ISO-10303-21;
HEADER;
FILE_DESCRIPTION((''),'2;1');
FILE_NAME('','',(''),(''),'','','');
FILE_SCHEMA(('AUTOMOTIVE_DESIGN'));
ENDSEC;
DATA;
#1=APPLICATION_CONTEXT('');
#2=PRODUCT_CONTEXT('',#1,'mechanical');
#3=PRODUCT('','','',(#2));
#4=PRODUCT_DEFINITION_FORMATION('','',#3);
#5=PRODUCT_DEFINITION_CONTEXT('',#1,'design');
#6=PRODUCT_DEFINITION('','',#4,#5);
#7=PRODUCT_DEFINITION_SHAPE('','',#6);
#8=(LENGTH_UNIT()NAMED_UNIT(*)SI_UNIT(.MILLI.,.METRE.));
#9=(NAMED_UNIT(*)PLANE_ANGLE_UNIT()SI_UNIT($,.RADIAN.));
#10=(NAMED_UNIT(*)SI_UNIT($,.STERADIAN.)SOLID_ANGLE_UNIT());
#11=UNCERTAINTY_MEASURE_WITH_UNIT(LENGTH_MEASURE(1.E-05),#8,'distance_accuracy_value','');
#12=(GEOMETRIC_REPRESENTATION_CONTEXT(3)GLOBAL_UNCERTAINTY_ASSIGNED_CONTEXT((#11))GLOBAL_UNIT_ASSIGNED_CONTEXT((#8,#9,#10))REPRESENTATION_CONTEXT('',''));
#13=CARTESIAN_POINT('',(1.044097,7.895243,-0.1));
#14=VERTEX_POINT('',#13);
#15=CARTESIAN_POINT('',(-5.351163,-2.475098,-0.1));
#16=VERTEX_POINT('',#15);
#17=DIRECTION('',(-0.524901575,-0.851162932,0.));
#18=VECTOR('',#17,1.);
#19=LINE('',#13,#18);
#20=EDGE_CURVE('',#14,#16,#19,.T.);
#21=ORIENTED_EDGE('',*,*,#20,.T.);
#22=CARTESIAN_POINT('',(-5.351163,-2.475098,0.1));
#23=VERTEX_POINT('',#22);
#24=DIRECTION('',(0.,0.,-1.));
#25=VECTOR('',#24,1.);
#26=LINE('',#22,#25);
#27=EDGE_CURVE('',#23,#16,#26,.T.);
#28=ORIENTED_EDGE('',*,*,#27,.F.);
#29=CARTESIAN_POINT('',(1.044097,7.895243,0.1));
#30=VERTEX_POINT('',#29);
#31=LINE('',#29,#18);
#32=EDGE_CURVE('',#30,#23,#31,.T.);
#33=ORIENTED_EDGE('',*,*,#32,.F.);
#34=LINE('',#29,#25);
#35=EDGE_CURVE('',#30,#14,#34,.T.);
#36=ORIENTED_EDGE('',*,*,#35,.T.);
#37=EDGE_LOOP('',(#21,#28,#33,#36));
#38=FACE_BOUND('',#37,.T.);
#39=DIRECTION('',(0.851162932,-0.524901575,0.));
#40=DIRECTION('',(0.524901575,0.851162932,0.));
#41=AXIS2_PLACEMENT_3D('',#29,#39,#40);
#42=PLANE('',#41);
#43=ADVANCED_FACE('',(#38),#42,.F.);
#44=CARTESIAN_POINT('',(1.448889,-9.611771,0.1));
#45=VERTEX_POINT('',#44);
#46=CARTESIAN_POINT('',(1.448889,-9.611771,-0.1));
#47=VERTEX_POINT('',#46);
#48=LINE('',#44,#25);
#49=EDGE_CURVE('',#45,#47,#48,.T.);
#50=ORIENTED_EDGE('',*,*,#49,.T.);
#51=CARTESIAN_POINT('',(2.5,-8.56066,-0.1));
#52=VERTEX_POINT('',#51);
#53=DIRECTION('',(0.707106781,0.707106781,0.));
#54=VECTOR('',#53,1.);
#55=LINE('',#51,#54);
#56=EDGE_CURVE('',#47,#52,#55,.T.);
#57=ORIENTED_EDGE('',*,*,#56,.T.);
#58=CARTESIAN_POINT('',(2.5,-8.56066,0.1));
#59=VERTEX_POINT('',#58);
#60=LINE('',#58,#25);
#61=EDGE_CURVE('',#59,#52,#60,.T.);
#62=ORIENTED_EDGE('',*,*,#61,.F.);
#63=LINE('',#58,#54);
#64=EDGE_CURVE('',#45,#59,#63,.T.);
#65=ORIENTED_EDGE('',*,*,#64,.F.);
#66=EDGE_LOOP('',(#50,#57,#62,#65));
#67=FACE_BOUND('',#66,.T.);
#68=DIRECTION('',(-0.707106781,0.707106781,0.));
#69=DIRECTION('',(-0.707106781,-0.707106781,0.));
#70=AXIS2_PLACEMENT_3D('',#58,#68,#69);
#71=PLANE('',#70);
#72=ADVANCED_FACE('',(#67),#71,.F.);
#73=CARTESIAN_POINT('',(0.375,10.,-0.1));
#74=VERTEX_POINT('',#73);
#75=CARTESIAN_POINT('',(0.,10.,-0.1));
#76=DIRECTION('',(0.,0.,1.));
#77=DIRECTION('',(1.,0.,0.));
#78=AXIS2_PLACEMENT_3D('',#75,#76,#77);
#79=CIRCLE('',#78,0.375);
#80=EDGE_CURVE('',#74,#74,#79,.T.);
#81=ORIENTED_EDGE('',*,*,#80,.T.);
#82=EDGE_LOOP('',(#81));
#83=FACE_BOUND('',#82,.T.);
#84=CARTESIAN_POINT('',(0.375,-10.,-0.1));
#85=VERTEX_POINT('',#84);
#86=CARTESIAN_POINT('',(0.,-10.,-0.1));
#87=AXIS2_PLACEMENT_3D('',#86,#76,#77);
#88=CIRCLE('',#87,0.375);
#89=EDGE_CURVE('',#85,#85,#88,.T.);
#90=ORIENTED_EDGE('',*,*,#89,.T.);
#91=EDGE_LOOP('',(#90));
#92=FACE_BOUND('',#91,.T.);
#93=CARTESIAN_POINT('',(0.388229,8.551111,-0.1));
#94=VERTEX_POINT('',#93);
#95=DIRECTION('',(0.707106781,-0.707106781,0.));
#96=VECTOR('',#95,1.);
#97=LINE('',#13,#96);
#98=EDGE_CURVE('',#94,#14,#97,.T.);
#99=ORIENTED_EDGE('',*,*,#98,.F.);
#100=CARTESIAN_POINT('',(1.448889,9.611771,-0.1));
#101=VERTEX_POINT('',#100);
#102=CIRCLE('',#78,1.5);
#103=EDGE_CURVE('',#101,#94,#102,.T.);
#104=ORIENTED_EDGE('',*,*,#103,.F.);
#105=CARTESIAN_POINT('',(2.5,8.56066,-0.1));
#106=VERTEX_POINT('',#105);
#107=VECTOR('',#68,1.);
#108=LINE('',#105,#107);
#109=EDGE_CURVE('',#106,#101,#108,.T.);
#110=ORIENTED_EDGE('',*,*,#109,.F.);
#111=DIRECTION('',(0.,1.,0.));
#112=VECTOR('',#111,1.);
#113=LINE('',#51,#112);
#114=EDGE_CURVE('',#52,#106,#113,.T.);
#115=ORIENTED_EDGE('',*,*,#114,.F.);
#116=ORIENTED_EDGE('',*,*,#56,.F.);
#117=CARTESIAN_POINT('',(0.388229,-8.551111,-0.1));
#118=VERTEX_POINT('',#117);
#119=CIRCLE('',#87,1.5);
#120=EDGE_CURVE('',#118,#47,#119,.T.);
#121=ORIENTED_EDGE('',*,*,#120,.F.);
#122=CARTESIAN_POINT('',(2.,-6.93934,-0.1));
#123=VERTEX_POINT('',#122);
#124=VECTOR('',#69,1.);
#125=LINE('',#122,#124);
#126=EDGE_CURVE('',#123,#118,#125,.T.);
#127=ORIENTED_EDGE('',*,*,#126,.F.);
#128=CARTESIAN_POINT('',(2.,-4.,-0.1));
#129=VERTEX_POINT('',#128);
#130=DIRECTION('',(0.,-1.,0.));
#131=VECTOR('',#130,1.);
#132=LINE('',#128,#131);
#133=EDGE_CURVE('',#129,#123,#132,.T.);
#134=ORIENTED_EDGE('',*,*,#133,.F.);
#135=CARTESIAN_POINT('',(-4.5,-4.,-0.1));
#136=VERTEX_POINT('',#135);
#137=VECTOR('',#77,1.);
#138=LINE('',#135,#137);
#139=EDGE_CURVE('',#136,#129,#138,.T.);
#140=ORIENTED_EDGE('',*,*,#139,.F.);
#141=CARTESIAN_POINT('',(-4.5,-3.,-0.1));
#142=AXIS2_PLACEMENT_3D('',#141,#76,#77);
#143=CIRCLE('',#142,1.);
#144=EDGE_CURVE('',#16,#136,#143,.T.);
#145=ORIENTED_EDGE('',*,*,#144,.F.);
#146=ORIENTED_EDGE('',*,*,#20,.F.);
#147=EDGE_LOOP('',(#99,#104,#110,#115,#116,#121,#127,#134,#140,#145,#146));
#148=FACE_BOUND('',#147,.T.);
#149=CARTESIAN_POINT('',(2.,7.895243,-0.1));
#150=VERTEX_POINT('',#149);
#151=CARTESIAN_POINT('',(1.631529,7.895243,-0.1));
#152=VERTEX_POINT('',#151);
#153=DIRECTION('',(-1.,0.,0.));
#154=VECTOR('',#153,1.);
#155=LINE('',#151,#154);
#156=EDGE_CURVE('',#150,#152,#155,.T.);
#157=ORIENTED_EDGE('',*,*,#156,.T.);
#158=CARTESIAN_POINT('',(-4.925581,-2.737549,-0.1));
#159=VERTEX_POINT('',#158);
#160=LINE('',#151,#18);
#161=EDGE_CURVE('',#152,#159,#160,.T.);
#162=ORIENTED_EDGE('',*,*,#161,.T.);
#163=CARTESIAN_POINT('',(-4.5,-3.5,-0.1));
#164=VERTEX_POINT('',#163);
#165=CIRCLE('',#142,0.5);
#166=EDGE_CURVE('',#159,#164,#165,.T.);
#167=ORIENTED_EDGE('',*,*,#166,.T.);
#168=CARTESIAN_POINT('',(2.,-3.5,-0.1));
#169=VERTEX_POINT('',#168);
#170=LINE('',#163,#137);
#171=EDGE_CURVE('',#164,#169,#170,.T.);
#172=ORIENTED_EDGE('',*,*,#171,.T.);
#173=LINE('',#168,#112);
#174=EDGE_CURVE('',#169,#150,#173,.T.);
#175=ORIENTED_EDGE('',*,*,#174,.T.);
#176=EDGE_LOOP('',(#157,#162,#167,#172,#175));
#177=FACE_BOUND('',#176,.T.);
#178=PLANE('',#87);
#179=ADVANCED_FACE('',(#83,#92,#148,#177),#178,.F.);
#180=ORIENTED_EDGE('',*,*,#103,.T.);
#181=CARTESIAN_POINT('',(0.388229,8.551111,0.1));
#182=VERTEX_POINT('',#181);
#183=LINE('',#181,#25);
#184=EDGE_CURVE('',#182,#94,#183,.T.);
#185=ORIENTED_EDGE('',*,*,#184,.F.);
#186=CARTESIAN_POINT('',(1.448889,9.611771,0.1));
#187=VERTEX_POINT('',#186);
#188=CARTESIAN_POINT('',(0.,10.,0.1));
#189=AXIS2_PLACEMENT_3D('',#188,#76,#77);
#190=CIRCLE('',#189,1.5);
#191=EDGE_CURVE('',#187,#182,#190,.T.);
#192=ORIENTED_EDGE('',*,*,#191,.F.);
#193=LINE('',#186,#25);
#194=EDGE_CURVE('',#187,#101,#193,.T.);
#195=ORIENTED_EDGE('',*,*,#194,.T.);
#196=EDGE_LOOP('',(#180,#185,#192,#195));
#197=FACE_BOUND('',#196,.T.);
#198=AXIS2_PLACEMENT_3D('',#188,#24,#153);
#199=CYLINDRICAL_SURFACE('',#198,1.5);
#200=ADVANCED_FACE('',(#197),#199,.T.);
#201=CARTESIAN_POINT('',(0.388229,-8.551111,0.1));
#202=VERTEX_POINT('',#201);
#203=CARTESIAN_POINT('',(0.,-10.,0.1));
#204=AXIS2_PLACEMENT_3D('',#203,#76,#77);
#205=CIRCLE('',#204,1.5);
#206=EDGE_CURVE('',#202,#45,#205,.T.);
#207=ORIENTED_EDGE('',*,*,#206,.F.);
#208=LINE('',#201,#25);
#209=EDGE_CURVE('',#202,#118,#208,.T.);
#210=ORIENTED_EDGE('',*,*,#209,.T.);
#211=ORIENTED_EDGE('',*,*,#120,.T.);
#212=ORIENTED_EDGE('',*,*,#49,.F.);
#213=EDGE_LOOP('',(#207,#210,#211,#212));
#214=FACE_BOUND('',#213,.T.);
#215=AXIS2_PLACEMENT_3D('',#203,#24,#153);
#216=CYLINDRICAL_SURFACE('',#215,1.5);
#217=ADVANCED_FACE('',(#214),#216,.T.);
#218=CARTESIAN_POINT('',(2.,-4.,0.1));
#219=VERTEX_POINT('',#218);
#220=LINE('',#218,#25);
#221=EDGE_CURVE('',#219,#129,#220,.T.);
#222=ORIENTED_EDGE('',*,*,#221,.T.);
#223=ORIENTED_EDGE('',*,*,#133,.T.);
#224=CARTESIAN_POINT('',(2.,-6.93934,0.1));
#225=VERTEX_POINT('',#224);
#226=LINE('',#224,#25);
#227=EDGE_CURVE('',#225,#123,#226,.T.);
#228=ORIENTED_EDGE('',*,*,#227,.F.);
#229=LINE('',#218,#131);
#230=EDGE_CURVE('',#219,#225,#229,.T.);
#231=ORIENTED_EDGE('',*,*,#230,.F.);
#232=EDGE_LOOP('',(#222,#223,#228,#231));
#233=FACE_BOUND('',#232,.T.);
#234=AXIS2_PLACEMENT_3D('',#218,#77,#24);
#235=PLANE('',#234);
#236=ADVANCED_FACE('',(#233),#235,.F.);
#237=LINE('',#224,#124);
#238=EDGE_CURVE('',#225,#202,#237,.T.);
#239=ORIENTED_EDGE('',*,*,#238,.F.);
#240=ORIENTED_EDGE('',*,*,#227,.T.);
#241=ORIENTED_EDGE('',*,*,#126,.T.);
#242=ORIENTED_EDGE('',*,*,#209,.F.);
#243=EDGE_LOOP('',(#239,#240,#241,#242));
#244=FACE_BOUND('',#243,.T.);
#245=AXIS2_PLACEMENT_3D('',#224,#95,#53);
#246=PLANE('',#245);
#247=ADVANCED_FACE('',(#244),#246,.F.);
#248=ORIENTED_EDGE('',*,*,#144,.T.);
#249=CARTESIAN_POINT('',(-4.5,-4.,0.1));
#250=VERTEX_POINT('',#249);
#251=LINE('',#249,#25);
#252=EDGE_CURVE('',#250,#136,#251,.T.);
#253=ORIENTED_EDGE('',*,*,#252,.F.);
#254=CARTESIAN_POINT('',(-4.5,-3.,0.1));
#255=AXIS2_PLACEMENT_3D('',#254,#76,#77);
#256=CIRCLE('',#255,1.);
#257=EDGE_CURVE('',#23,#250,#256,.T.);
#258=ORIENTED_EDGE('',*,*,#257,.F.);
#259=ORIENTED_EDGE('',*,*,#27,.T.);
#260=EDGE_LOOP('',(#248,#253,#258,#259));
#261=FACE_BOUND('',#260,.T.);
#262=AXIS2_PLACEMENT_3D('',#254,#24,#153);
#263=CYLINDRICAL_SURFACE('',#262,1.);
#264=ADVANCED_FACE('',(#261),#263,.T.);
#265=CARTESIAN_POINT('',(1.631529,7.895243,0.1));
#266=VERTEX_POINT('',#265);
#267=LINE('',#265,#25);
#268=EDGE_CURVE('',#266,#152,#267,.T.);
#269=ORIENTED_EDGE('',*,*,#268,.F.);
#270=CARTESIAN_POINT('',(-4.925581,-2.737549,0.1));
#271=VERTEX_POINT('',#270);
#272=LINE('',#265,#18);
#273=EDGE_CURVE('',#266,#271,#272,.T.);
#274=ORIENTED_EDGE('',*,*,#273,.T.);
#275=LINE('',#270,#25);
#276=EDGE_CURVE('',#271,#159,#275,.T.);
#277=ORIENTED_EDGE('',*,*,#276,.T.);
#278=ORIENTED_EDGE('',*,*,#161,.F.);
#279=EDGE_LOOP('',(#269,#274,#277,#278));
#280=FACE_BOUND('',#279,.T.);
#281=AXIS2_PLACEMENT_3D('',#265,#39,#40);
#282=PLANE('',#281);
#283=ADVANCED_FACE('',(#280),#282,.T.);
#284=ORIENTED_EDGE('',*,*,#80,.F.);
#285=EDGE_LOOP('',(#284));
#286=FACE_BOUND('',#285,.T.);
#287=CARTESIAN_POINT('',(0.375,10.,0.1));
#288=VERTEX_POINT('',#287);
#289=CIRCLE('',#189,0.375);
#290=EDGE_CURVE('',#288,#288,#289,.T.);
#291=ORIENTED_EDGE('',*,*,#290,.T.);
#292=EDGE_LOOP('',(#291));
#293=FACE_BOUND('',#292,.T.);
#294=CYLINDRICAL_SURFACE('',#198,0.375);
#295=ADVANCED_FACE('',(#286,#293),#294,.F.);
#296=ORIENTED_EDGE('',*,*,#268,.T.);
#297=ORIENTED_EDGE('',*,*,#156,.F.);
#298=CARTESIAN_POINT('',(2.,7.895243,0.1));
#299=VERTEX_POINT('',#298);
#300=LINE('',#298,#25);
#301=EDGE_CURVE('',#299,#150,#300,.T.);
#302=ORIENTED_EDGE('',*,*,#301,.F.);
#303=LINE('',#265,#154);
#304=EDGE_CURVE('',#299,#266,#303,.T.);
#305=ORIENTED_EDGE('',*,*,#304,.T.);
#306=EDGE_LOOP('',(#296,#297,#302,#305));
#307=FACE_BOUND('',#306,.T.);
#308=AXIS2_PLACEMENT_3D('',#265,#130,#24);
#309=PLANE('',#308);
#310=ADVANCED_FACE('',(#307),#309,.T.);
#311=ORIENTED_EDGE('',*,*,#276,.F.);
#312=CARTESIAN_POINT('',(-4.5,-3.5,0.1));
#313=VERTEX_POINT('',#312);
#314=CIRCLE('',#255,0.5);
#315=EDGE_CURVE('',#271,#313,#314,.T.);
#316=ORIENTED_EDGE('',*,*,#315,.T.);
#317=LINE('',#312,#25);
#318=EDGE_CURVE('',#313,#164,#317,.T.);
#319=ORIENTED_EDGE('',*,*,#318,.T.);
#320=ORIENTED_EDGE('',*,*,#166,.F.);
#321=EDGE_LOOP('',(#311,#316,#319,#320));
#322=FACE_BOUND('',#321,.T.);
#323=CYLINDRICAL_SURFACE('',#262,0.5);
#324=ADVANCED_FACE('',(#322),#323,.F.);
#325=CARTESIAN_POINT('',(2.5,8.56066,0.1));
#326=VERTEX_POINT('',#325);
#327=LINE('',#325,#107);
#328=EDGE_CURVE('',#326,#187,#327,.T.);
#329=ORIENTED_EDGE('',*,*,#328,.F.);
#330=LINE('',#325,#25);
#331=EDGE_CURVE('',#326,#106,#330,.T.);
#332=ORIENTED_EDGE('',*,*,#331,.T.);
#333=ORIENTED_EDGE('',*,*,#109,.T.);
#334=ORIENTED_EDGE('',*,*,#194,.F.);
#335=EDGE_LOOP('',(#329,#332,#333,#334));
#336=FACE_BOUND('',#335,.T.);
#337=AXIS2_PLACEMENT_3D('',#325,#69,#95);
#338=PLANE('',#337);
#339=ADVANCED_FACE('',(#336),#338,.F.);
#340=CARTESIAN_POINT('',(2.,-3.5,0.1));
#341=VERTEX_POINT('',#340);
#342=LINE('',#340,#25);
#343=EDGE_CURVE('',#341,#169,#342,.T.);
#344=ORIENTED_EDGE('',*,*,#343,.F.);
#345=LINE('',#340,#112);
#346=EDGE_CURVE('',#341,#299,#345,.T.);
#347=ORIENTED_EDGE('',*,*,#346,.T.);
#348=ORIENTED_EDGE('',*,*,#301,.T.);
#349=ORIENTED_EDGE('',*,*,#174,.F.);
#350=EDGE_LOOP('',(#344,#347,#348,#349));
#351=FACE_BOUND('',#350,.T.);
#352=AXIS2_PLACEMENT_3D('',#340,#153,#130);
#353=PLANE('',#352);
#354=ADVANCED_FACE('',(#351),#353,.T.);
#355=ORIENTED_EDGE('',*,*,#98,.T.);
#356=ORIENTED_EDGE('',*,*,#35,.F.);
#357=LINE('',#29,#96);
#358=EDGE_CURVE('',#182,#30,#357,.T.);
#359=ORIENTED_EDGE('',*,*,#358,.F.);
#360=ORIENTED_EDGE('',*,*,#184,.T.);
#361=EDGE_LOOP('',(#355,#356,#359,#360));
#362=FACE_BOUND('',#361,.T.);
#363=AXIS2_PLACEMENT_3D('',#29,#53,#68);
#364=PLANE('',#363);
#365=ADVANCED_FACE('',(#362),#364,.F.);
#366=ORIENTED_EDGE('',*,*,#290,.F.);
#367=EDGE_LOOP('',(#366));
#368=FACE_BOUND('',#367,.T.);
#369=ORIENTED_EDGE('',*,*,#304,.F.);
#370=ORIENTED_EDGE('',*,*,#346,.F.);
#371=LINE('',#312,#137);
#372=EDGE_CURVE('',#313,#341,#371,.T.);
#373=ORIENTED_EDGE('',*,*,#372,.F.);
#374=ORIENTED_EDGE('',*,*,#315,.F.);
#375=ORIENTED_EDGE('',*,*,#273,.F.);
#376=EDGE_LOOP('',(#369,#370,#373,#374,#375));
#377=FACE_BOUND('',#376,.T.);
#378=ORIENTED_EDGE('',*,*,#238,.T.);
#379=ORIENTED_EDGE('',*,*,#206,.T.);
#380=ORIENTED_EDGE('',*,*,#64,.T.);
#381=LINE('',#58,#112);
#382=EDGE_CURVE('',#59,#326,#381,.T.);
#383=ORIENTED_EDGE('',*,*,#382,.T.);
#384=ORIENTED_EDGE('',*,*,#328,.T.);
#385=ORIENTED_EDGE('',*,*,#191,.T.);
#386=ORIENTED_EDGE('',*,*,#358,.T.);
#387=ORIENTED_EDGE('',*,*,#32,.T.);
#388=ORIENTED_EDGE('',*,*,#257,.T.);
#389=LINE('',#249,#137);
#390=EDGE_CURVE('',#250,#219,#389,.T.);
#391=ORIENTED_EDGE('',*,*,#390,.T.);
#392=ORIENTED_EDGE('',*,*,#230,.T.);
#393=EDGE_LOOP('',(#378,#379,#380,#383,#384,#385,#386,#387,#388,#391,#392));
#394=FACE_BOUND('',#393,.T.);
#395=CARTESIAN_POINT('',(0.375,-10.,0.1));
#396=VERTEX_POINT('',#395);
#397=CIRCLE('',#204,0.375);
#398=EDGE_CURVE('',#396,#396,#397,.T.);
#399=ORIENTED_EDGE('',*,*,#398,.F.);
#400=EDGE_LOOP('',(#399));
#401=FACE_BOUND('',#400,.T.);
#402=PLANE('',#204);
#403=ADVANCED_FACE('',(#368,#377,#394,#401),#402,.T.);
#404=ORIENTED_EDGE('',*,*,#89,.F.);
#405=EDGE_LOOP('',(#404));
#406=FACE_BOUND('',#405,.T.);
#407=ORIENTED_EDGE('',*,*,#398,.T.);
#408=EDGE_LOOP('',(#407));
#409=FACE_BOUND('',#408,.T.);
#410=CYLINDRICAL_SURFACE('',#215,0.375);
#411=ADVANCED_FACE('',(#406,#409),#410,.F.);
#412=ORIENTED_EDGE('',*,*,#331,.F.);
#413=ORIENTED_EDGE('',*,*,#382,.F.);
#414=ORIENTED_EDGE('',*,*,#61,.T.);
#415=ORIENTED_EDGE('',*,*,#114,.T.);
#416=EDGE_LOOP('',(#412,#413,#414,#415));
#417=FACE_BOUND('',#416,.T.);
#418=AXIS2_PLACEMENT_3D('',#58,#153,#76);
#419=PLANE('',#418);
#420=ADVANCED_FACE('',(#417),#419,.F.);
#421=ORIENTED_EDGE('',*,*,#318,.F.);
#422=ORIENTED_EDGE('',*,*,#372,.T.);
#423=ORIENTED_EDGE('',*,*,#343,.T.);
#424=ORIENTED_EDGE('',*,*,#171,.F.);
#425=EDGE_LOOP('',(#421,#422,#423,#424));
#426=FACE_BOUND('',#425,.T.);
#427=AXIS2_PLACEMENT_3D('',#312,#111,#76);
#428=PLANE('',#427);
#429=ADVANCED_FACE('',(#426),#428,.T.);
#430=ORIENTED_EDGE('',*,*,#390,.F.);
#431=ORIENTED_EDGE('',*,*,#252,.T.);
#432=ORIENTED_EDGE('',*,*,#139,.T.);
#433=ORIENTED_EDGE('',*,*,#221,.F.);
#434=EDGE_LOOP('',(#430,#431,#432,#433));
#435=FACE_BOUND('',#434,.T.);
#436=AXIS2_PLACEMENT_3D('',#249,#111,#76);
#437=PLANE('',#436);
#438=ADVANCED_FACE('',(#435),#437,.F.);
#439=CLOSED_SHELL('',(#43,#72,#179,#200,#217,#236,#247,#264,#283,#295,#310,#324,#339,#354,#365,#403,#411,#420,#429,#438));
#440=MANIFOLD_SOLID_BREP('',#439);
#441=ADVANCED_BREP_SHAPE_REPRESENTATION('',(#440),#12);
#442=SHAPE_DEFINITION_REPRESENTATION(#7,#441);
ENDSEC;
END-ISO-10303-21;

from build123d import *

# Parameters (mm, degrees)
SKETCH1_R           = 0.375
BOSS_EXTRUDE1_DEPTH = 0.1


with BuildPart() as part:
    # Sketch1 → Boss-Extrude1 (new body, symmetric)
    with BuildSketch(Plane.XY):
        with BuildLine():
            Line((1.04409719, 7.895242639), (-5.351162932, -2.475098425))
            ThreePointArc((-5.351162932, -2.475098425), (-5.37318428, -3.487390206), (-4.5, -4))
            Line((-4.5, -4), (2, -4))
            Line((2, -4), (2, -6.939339828))
            Line((2, -6.939339828), (0.388228568, -8.551111261))
            ThreePointArc((0.388228568, -8.551111261), (-1.060660172, -11.060660172), (1.448888739, -9.611771432))
            Line((1.448888739, -9.611771432), (2.5, -8.560660172))
            Line((2.5, -8.560660172), (2.5, 8.560660172))
            Line((2.5, 8.560660172), (1.448888739, 9.611771432))
            ThreePointArc((1.448888739, 9.611771432), (-1.060660172, 11.060660172), (0.388228568, 8.551111261))
            Line((0.388228568, 8.551111261), (1.04409719, 7.895242639))
        make_face()
        with Locations((0, 10)):
            Circle(SKETCH1_R, mode=Mode.SUBTRACT)
        with Locations((0, -10)):
            Circle(SKETCH1_R, mode=Mode.SUBTRACT)
        with BuildLine():
            Line((1.631528786, 7.895242639), (-4.925581466, -2.737549213))
            ThreePointArc((-4.925581466, -2.737549213), (-4.93659214, -3.243695103), (-4.5, -3.5))
            Line((-4.5, -3.5), (2, -3.5))
            Line((2, -3.5), (2, 7.895242639))
            Line((2, 7.895242639), (1.631528786, 7.895242639))
        make_face(mode=Mode.SUBTRACT)
    extrude(amount=BOSS_EXTRUDE1_DEPTH, both=True)


solid = part.part
